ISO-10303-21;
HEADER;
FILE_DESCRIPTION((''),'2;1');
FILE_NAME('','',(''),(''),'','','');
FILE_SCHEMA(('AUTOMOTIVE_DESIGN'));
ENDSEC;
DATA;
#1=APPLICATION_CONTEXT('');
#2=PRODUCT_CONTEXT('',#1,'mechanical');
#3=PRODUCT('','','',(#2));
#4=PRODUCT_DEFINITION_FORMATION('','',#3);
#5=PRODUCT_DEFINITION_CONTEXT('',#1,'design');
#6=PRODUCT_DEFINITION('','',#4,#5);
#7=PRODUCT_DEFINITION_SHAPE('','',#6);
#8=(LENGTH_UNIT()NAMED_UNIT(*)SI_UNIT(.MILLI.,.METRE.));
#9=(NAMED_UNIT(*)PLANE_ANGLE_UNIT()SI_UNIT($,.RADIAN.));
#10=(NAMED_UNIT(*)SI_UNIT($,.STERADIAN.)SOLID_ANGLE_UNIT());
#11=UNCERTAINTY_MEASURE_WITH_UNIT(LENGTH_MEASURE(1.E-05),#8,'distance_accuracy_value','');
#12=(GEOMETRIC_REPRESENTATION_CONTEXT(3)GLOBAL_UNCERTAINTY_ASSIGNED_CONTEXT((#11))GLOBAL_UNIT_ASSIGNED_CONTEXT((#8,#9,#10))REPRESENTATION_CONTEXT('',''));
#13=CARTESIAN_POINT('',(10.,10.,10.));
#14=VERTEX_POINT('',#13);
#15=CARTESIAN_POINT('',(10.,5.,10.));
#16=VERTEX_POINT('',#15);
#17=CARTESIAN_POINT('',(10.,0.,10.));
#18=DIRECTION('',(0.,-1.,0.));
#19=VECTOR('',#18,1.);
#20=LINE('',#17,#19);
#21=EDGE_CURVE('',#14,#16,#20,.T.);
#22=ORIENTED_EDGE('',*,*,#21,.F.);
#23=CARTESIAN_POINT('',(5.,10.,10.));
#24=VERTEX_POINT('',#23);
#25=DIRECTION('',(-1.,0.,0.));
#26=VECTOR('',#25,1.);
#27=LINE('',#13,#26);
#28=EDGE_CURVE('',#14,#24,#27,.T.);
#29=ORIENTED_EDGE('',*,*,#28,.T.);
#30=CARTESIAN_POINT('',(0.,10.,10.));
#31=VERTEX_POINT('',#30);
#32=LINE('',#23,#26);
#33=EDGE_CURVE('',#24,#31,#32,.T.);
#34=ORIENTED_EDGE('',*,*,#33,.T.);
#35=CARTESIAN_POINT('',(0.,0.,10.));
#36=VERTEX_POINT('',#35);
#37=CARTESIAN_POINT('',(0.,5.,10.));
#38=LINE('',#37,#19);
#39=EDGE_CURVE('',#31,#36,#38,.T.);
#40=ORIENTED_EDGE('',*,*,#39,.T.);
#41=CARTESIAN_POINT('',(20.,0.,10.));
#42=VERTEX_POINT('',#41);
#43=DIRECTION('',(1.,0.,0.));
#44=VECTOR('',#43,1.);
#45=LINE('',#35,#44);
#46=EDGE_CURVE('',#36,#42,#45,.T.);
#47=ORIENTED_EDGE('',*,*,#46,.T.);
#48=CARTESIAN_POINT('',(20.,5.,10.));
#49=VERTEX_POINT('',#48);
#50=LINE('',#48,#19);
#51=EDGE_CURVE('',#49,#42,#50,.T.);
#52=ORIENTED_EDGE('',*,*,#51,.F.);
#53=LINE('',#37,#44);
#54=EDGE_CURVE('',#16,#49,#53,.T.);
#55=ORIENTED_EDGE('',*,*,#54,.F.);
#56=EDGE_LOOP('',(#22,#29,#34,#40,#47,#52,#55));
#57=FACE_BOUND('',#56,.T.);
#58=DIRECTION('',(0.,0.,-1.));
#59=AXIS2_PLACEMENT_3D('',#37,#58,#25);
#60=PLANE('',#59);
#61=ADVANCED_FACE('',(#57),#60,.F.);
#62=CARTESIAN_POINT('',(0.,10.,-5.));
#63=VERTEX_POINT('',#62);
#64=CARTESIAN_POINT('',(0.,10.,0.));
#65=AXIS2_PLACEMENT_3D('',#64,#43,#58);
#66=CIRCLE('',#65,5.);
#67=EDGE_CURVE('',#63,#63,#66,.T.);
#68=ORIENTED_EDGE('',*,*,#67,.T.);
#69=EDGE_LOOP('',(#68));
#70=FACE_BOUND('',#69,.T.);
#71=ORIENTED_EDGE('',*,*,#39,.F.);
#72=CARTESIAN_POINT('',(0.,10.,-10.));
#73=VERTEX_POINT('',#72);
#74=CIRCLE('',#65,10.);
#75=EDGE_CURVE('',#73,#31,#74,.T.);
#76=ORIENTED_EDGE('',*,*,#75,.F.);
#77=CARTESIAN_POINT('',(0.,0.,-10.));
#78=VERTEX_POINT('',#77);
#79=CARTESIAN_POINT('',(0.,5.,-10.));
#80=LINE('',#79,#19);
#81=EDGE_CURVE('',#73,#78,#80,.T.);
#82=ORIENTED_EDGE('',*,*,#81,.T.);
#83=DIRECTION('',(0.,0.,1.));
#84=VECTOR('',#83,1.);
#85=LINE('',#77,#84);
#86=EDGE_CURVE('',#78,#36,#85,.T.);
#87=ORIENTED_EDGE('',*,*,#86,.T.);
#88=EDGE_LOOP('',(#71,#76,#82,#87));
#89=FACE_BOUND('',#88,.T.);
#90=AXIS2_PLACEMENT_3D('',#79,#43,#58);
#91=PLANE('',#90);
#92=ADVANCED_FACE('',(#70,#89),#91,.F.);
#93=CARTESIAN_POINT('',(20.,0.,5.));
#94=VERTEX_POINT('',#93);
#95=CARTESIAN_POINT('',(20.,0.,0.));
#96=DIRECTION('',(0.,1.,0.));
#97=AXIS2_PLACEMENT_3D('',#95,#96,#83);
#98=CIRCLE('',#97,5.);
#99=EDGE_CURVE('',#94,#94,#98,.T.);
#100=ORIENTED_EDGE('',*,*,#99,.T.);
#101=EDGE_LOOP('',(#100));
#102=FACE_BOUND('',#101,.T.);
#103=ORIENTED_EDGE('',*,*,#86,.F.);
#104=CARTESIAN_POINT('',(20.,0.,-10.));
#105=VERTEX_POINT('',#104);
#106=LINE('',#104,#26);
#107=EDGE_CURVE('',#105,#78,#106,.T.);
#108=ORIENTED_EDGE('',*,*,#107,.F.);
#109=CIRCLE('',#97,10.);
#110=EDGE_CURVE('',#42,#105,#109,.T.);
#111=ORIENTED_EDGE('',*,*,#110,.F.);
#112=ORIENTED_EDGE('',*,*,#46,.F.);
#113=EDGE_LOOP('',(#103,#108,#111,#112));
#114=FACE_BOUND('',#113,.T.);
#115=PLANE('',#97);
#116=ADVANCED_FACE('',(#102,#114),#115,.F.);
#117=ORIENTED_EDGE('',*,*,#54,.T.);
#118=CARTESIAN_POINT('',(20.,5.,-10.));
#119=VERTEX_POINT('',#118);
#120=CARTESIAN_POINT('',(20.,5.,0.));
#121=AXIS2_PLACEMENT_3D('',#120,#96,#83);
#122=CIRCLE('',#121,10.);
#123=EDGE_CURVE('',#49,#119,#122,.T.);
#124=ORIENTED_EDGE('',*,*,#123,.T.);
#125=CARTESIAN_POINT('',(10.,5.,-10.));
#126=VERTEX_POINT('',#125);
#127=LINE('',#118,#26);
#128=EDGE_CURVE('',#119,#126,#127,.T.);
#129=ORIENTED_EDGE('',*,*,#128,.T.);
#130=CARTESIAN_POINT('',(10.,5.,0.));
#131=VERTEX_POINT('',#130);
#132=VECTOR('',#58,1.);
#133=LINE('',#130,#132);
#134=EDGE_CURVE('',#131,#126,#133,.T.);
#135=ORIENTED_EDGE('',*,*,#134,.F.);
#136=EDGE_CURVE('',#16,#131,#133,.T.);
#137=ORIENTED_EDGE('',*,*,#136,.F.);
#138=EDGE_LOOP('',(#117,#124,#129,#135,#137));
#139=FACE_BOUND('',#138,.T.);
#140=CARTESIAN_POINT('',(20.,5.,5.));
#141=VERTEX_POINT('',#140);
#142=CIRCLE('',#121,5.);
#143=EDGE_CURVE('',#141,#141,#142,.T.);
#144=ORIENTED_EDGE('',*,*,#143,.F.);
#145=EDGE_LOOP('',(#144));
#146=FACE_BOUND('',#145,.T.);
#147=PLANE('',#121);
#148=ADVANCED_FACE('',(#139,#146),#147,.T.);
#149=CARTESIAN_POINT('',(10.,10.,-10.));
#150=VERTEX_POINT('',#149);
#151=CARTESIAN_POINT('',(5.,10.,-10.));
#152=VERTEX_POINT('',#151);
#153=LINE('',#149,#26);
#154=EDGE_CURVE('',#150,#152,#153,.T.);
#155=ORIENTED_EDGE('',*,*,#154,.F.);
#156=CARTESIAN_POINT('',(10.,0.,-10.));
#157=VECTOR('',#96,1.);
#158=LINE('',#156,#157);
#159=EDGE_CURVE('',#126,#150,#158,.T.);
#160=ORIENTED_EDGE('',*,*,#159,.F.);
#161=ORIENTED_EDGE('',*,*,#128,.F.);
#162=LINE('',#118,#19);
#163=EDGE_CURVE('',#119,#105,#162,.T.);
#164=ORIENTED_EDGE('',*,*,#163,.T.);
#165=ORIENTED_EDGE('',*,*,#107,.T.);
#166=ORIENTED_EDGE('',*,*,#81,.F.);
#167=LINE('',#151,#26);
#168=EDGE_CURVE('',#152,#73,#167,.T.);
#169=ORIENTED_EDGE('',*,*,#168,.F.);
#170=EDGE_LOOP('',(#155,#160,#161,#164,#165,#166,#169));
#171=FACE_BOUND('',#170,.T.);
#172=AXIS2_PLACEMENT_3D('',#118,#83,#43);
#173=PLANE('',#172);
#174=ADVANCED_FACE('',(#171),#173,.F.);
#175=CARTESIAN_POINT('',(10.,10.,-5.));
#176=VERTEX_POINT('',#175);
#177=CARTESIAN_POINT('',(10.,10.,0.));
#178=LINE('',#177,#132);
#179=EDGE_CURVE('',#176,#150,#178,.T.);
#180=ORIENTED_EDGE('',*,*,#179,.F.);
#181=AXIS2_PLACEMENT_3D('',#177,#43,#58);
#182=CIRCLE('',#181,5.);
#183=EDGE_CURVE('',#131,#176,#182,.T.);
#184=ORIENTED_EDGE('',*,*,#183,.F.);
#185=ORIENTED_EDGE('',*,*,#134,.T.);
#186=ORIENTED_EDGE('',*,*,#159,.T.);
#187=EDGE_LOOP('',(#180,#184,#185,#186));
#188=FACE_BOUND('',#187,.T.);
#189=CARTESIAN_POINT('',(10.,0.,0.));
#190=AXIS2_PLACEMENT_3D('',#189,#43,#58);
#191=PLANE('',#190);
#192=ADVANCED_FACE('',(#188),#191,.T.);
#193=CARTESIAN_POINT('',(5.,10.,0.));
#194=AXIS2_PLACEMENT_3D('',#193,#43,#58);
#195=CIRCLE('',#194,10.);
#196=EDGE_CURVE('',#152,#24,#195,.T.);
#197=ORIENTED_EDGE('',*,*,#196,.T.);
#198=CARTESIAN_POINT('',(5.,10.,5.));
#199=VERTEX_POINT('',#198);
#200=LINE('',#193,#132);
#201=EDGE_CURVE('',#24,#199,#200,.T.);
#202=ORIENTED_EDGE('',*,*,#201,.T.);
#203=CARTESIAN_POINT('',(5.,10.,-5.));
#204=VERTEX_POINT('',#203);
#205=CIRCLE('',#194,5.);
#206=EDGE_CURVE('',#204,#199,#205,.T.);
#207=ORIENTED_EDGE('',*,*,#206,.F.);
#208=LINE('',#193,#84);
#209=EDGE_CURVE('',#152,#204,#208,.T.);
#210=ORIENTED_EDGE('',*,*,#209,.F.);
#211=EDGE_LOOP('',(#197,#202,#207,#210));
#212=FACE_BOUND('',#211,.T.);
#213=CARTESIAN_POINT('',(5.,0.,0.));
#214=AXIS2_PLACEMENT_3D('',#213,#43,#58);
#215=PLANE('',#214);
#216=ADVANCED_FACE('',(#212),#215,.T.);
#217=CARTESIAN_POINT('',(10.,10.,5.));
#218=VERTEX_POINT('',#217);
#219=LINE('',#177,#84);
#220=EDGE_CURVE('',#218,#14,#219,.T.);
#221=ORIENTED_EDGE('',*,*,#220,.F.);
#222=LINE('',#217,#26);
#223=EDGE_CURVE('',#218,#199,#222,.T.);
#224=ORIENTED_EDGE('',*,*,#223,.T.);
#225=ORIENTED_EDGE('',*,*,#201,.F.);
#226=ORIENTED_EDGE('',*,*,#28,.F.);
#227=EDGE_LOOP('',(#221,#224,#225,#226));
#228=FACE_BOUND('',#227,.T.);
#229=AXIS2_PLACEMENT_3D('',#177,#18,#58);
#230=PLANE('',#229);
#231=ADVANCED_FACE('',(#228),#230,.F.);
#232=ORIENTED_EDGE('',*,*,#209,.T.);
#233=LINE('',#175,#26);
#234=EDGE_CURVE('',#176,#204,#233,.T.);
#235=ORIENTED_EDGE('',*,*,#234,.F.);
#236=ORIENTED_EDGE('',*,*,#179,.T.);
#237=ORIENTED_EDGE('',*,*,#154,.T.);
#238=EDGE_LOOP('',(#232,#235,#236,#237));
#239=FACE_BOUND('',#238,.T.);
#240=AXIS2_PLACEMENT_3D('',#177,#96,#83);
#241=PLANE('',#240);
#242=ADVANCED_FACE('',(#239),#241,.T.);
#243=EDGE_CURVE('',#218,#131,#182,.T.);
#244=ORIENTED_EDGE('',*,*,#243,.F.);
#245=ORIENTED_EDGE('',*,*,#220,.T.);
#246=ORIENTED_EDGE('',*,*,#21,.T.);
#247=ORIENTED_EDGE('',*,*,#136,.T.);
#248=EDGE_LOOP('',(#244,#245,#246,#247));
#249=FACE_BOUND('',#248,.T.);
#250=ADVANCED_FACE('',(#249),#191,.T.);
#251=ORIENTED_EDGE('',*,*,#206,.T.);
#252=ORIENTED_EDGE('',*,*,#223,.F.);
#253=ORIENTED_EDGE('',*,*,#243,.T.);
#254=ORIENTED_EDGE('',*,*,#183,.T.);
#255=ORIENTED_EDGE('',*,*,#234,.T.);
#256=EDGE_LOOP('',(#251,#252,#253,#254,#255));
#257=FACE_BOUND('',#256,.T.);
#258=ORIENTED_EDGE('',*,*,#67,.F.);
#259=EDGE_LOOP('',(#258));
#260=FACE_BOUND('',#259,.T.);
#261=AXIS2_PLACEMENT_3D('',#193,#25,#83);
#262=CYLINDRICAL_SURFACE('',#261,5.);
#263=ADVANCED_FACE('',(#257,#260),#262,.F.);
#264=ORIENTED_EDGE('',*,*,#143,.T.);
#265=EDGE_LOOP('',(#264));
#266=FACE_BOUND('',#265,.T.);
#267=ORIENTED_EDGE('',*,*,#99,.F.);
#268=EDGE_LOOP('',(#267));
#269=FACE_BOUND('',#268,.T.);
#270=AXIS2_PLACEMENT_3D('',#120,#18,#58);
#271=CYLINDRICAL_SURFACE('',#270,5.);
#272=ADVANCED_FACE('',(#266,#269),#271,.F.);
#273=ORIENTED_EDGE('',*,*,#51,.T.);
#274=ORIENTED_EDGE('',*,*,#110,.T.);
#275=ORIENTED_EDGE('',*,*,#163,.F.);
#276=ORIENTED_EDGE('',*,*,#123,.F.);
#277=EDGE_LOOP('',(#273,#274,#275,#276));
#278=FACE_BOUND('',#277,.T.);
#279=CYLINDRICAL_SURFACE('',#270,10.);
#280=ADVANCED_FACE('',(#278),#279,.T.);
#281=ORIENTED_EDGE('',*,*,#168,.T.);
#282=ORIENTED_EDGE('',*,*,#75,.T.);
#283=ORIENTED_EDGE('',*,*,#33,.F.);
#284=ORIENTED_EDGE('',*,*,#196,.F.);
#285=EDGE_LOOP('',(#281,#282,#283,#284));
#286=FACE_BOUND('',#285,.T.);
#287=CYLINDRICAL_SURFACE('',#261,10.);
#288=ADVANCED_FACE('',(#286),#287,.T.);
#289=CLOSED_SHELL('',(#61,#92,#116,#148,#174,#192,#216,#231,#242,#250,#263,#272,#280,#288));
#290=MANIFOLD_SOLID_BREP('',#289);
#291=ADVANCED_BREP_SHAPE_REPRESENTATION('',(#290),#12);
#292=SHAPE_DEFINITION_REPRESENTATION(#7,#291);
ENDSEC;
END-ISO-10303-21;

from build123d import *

# Parameters (mm, degrees)
SKETCH_1_R      = 5
EXTRUDE_1_DEPTH = 5
SKETCH_2_R      = 5
EXTRUDE_3_DEPTH = 5
EXTRUDE_4_DEPTH = 10


with BuildPart() as part:
    # 草圖1 → 填料-伸長1 (new body)
    with BuildSketch(Plane(origin=(0, 0, 0), x_dir=(1, 0, 0), z_dir=(0, 1, 0))):
        with BuildLine():
            Line((20, 10), (0, 10))
            Line((0, 10), (0, -10))
            Line((0, -10), (20, -10))
            ThreePointArc((20, -10), (30, 0), (20, 10))
        make_face()
        with Locations((20, 0)):
            Circle(SKETCH_1_R, mode=Mode.SUBTRACT)
    extrude(amount=EXTRUDE_1_DEPTH)

    # 草圖2 → 填料-伸長3 (add)
    with BuildSketch(Plane(origin=(0, 0, 0), x_dir=(0, 0, -1), z_dir=(1, 0, 0))):
        with BuildLine():
            Line((-10, 10), (-10, 0))
            Line((-10, 0), (10, 0))
            Line((10, 0), (10, 10))
            ThreePointArc((10, 10), (0, 20), (-10, 10))
        make_face()
        with Locations((0, 10)):
            Circle(SKETCH_2_R, mode=Mode.SUBTRACT)
    extrude(amount=EXTRUDE_3_DEPTH)

    # 草圖2<4> → 填料-伸長4 (add)
    with BuildSketch(Plane(origin=(0, 0, 0), x_dir=(0, 0, -1), z_dir=(1, 0, 0))):
        with BuildLine():
            Line((-5, 10), (-10, 10))
            Line((-10, 10), (-10, 0))
            Line((-10, 0), (10, 0))
            Line((10, 0), (10, 10))
            Line((10, 10), (5, 10))
            ThreePointArc((5, 10), (0, 5), (-5, 10))
        make_face()
    extrude(amount=EXTRUDE_4_DEPTH)


solid = part.part
